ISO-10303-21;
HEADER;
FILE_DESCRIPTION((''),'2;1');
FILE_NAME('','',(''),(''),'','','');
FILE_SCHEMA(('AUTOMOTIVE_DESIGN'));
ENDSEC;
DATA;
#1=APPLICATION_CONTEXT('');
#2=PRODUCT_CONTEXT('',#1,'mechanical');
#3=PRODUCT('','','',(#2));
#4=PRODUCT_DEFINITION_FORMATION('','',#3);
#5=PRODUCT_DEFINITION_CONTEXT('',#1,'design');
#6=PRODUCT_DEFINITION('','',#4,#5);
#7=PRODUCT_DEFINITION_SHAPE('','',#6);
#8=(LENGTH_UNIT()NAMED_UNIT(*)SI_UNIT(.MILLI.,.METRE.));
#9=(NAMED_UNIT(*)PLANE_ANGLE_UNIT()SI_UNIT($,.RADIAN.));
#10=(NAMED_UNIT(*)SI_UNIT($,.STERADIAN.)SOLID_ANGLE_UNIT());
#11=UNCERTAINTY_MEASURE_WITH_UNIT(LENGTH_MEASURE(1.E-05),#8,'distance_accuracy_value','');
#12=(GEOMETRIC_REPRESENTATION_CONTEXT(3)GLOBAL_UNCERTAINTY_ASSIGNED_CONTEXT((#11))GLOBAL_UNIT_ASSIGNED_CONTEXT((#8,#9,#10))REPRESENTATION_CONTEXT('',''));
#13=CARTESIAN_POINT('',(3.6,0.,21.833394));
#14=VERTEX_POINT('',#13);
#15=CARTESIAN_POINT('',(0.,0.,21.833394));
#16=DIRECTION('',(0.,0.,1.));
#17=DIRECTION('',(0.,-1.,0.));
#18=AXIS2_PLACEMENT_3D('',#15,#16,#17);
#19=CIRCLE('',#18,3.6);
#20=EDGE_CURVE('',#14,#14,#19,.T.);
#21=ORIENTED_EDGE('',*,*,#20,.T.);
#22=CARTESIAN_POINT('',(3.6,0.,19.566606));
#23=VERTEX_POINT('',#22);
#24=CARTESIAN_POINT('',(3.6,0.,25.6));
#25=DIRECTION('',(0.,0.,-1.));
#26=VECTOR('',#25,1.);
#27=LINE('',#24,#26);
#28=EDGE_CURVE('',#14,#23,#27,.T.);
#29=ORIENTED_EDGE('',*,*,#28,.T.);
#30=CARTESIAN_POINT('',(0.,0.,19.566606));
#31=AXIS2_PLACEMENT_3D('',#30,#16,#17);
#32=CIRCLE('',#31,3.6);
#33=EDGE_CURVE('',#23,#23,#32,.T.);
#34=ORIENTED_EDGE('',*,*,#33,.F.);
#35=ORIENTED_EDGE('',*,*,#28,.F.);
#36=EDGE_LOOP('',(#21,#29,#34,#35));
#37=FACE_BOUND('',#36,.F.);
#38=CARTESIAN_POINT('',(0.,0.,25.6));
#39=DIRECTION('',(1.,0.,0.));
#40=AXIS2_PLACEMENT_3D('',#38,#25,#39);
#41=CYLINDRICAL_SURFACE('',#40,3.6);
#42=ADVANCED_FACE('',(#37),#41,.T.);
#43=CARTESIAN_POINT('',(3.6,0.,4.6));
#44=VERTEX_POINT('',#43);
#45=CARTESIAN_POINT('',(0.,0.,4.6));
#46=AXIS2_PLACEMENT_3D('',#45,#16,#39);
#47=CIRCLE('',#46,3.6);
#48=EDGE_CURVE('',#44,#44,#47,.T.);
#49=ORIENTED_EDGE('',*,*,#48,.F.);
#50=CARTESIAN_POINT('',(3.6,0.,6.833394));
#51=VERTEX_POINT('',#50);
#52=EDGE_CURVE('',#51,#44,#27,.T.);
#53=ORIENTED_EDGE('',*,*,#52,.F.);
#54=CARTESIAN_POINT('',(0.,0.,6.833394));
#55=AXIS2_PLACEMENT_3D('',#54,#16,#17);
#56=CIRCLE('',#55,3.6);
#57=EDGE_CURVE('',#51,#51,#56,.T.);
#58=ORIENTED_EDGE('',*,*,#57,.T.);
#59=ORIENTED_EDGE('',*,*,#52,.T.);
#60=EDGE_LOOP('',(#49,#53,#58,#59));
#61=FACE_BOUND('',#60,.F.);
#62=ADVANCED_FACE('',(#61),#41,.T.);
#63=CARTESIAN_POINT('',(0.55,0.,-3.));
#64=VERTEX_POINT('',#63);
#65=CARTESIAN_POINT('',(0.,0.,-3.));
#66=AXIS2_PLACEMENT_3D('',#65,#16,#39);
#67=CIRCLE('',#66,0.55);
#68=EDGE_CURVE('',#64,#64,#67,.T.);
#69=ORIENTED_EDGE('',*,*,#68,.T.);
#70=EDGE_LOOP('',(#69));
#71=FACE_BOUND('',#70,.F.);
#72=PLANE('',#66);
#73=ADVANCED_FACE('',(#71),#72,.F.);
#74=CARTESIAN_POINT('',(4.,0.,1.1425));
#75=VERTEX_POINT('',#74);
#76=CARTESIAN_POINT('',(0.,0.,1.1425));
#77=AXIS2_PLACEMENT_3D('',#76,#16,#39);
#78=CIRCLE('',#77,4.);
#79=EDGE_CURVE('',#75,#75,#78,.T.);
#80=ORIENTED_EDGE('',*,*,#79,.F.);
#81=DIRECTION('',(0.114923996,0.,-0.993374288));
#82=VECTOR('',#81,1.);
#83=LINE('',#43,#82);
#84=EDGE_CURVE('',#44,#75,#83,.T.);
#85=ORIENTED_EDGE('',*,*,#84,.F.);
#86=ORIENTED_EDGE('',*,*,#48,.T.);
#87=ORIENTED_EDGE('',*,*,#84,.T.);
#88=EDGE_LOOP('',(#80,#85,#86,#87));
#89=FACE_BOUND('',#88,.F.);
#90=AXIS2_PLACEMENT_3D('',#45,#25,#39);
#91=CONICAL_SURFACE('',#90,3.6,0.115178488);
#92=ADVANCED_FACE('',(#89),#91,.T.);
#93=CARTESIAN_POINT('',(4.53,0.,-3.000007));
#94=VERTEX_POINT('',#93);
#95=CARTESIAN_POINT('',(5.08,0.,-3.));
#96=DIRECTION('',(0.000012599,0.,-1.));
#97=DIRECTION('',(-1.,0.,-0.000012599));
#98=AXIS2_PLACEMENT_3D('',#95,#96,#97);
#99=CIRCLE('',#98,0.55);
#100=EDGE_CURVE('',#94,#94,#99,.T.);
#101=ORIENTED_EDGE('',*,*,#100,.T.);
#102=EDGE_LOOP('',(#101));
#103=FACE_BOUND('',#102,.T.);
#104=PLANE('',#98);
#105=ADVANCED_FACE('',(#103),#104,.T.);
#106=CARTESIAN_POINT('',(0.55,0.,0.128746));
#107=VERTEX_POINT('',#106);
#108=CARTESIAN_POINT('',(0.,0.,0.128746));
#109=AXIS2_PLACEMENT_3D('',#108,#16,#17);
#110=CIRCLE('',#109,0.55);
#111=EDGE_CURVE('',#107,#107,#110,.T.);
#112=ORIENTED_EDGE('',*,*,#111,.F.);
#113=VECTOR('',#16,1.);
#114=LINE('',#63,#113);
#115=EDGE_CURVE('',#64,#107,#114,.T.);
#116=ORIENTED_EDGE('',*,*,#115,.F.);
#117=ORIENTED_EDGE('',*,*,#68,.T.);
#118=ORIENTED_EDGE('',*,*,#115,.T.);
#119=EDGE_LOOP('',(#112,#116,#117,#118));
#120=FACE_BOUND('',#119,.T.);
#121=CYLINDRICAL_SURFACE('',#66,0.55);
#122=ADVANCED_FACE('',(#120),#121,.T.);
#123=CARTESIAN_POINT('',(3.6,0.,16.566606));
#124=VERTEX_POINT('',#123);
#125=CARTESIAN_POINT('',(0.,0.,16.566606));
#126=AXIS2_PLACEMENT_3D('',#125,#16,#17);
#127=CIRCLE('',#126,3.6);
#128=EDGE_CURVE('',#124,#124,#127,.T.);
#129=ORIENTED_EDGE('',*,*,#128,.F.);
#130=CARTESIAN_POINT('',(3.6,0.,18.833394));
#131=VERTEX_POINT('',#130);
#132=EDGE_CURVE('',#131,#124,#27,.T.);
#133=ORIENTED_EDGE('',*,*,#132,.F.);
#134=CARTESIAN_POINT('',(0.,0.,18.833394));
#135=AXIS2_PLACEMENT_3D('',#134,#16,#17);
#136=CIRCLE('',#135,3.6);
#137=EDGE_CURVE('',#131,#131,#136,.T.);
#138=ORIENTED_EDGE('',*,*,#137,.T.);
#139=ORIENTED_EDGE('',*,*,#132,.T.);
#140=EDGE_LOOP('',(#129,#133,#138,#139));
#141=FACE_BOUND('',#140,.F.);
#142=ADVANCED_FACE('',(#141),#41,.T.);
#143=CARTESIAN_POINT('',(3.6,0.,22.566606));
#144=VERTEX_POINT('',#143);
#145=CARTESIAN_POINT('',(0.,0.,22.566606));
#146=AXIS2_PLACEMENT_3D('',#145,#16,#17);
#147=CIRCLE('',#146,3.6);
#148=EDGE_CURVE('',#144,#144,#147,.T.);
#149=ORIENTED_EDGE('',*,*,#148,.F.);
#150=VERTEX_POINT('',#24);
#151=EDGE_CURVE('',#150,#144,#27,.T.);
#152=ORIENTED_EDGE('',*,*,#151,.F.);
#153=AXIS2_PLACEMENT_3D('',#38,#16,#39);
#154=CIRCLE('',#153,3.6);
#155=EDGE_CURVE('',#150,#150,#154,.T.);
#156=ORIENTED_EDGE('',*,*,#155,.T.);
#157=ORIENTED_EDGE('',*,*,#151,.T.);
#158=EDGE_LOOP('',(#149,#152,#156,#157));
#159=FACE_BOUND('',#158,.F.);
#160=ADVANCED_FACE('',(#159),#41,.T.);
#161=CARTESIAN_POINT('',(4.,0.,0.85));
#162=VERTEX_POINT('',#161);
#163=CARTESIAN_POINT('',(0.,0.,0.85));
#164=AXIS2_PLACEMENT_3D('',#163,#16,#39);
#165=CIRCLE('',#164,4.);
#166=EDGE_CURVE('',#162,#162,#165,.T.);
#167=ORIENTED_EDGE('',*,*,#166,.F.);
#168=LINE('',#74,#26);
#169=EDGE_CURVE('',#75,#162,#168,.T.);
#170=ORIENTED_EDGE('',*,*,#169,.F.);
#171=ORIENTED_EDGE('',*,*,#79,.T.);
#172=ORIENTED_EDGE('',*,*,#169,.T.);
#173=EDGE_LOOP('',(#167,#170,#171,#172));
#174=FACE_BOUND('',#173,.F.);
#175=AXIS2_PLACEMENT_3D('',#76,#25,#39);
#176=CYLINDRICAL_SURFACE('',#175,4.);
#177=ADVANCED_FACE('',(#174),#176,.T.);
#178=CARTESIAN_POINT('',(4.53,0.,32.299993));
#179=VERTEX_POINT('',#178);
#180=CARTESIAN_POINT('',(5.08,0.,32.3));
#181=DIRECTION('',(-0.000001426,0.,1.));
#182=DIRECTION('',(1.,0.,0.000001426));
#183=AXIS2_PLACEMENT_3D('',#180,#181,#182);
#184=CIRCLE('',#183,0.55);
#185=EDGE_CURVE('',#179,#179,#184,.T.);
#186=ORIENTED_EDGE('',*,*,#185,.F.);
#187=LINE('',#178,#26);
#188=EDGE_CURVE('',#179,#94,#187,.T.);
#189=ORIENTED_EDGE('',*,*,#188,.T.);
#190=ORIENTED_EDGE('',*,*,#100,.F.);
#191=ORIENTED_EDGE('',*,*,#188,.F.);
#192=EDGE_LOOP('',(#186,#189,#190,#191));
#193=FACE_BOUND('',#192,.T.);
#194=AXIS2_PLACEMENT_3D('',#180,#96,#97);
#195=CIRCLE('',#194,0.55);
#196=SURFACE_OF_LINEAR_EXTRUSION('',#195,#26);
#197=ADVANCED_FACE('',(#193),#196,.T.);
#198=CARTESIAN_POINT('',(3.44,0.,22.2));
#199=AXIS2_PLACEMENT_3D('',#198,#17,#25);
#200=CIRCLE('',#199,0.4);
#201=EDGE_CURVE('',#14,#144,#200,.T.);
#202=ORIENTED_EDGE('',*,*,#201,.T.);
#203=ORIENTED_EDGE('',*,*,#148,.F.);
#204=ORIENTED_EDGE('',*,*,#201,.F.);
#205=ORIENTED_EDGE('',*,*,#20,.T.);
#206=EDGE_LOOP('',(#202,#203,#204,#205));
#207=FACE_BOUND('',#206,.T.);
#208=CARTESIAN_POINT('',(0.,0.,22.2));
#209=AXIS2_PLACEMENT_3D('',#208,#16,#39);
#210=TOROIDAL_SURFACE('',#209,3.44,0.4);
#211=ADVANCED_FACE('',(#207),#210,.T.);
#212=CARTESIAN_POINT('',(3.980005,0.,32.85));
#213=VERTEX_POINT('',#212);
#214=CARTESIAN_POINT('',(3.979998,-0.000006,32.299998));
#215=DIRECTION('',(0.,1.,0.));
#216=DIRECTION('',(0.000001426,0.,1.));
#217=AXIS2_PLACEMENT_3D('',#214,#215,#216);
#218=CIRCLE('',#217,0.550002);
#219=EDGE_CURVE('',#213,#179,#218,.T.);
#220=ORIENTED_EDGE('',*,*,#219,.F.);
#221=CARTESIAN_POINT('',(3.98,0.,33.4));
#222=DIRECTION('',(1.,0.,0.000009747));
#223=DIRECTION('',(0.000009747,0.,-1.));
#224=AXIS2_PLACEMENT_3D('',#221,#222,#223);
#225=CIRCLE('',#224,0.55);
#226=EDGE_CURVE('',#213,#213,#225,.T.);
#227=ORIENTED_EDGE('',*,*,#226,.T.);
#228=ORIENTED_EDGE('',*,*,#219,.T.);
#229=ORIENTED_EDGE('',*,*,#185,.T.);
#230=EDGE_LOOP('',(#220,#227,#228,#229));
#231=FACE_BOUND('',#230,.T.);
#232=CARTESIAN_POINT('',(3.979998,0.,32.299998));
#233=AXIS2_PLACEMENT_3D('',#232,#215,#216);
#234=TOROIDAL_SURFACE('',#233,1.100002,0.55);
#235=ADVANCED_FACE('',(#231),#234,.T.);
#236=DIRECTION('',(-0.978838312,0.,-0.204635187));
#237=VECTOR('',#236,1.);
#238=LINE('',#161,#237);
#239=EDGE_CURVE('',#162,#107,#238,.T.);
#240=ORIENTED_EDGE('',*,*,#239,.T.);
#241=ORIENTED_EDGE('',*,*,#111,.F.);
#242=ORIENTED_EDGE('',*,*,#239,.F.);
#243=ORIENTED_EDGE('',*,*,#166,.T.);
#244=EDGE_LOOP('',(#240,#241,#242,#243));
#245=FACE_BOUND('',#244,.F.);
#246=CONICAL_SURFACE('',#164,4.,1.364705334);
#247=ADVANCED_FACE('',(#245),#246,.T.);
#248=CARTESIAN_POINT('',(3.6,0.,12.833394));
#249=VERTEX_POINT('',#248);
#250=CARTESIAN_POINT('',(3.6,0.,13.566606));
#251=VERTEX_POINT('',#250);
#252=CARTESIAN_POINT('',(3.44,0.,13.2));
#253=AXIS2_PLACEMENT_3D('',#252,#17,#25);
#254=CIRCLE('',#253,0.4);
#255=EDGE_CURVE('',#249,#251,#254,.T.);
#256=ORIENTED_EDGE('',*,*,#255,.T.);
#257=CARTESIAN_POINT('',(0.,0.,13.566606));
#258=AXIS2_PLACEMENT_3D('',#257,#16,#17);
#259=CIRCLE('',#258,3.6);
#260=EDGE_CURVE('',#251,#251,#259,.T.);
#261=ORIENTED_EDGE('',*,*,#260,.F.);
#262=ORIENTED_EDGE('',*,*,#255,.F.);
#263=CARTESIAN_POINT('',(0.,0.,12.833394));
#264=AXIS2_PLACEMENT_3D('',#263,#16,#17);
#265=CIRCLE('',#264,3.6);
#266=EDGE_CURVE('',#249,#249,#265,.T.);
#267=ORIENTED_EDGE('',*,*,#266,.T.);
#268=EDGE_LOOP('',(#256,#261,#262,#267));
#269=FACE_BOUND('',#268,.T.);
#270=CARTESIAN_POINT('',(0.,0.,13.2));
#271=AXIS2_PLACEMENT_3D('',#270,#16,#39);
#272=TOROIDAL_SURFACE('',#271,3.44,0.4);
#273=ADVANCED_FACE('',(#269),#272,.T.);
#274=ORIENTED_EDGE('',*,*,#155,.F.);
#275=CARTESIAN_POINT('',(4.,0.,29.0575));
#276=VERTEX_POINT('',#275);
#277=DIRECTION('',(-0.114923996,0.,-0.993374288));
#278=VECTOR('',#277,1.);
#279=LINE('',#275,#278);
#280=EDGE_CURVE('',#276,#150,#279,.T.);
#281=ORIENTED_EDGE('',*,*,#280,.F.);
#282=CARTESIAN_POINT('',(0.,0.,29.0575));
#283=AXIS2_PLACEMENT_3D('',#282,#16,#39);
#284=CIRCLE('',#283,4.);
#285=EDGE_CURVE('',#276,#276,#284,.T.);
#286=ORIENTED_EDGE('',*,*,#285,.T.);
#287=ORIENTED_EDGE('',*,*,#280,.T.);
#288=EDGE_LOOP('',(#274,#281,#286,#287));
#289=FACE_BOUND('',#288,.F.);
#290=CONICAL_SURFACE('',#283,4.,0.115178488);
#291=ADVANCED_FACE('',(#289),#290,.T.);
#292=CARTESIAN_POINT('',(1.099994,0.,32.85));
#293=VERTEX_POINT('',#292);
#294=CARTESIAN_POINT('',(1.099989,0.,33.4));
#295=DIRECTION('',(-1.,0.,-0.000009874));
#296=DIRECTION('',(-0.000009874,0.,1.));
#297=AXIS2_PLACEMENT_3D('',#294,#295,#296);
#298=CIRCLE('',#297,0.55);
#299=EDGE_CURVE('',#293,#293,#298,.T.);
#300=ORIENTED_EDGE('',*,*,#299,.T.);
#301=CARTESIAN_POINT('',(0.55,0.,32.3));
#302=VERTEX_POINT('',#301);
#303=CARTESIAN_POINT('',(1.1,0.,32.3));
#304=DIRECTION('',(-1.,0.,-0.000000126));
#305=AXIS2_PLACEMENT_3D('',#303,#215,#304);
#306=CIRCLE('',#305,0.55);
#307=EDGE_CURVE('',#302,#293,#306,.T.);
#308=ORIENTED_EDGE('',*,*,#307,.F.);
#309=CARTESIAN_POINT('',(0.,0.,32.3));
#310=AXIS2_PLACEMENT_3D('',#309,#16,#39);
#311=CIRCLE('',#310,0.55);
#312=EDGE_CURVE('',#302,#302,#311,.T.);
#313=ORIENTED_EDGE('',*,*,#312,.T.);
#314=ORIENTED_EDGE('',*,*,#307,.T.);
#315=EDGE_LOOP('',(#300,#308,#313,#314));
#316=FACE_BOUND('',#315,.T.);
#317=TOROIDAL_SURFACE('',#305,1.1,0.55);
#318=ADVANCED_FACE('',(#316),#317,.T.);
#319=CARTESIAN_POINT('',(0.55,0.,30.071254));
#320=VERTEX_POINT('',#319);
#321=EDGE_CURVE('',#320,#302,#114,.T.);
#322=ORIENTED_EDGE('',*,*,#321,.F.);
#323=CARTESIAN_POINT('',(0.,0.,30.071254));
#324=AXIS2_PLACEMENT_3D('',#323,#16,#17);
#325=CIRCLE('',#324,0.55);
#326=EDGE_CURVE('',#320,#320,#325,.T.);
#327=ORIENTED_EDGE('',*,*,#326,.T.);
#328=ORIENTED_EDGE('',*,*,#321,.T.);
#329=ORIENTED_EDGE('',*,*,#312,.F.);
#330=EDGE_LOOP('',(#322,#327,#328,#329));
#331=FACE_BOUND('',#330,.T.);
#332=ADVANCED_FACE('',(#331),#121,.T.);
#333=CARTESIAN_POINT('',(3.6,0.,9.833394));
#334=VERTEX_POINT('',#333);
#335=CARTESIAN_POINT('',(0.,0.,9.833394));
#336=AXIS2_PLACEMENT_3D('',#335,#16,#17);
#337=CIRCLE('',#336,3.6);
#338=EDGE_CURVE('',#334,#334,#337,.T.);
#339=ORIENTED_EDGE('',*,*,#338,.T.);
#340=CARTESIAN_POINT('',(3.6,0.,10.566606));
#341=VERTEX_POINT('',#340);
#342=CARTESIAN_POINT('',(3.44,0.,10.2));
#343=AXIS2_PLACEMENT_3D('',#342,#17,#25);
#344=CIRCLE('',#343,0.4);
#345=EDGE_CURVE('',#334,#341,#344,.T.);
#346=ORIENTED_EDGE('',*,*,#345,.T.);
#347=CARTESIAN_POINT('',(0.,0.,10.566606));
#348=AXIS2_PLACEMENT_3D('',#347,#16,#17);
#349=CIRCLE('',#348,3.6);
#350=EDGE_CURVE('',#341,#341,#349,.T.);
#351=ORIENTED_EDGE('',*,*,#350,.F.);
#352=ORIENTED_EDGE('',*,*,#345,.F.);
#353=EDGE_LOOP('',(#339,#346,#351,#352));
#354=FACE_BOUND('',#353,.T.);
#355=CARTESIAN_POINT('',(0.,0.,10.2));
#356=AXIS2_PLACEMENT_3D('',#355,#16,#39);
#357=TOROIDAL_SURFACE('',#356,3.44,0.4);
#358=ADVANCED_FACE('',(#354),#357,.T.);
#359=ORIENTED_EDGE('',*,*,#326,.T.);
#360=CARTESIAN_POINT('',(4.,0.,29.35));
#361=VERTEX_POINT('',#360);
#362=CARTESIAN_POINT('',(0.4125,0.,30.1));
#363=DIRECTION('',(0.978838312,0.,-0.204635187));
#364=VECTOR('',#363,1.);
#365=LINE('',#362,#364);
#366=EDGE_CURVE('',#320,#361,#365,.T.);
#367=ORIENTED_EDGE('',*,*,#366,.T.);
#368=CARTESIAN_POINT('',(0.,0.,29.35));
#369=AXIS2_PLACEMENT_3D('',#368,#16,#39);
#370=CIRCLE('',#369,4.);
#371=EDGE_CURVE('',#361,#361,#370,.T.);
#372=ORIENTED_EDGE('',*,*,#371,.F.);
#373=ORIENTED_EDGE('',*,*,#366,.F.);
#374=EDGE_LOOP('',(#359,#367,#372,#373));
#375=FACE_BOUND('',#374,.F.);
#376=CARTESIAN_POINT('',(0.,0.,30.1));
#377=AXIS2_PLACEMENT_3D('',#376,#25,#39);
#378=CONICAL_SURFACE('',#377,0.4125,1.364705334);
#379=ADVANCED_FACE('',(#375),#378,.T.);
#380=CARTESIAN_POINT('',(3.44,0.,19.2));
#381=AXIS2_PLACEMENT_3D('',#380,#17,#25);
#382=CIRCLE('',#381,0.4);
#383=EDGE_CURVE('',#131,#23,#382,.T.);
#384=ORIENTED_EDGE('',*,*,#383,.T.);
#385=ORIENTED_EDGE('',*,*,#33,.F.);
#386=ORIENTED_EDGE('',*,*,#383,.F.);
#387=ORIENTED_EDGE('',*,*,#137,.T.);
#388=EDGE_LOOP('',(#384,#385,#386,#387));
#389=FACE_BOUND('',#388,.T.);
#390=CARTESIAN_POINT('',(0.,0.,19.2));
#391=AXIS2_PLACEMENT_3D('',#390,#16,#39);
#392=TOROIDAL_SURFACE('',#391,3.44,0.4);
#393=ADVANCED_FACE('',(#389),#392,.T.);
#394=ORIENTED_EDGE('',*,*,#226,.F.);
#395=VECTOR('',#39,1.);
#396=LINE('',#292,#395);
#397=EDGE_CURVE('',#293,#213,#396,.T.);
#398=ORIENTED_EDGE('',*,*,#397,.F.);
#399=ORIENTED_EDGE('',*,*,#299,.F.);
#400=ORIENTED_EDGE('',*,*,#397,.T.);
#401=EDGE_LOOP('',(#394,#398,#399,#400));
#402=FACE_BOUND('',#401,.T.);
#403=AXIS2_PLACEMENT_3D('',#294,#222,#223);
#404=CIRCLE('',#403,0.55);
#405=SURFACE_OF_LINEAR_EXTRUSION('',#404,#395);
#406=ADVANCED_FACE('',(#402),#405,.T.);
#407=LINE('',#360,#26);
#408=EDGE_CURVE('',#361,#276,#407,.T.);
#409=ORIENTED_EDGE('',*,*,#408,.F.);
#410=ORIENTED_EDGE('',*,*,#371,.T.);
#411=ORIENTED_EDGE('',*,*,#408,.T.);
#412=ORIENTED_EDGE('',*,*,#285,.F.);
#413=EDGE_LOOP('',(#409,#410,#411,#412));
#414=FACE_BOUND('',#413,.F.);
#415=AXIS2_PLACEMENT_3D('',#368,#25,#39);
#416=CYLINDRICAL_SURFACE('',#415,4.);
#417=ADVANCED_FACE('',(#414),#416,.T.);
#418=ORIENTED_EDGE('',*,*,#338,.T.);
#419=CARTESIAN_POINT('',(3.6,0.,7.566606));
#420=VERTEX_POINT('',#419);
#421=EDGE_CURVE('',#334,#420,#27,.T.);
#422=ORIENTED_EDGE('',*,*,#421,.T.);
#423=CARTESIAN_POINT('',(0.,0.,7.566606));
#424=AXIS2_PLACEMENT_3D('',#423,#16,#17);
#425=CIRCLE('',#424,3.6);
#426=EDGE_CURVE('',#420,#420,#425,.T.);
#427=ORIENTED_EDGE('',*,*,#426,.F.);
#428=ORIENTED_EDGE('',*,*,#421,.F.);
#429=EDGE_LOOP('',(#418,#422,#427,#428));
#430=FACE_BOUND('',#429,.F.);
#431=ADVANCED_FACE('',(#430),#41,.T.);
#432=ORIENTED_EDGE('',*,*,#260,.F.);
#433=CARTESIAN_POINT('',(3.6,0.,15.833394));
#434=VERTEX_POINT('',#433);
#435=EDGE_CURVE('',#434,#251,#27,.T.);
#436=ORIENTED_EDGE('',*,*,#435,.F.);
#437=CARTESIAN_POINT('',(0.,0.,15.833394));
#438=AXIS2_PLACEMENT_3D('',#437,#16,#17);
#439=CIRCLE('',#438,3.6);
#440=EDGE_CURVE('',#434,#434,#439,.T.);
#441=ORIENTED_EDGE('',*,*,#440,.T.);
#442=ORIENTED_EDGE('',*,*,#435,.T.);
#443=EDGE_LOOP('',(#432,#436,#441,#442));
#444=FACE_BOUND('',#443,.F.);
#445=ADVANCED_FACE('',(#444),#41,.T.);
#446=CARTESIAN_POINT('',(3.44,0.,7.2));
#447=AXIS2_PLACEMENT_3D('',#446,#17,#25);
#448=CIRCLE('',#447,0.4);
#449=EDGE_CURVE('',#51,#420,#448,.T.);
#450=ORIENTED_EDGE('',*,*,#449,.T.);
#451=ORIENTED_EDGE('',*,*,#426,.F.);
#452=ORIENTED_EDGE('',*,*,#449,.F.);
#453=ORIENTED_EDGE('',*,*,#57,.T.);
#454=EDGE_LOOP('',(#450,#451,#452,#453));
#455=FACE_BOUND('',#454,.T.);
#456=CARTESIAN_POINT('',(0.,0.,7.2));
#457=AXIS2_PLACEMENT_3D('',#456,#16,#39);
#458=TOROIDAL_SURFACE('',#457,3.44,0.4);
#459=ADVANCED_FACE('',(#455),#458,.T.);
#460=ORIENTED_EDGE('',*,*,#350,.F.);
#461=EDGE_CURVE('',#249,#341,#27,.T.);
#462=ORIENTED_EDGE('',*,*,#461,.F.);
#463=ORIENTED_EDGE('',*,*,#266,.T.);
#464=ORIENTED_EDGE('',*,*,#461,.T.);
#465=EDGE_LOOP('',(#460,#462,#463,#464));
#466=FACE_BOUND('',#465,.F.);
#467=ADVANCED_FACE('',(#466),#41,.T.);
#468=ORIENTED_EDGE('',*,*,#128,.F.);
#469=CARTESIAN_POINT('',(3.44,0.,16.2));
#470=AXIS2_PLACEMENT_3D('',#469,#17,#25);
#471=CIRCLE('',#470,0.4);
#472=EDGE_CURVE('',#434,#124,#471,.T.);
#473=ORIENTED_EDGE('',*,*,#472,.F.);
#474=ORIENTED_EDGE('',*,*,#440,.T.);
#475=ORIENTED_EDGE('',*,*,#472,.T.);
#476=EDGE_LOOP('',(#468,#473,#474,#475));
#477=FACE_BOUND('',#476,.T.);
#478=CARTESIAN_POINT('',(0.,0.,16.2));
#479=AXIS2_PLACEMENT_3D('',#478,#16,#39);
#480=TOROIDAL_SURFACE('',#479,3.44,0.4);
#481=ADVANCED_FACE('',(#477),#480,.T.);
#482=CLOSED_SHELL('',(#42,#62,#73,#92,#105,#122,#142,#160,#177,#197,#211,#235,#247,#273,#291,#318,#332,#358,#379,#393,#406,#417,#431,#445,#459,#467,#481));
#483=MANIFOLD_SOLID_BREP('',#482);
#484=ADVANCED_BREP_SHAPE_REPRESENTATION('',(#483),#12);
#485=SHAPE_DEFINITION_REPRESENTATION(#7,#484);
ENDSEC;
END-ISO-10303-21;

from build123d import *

# Parameters (mm, degrees)
SKETCH_R = 0.55


with BuildPart() as revolution:
    # Sketch002 → Revolution (revolve)
    with BuildSketch(Plane.XZ):
        Polygon((0, 0.1), (0, 30.1), (0.4125, 30.1), (4, 29.35), (4, 29.0575), (3.6, 25.6), (3.6, 4.6), (4, 1.1425), (4, 0.85), (0.4125, 0.1), align=None)
    revolve(axis=Axis((0, 0, 0), (0, 0, 1)))


with BuildPart() as sweep_body:
    # Sweep: sweep along a path in Sketch001
    with BuildLine(Plane.XZ) as sweep_path:
        Line((0, -3), (0, 32.3))
        ThreePointArc((0, 32.3), (0.322179, 33.077814), (1.099989, 33.4))
        Line((1.099989, 33.4), (3.98, 33.4))
        ThreePointArc((3.98, 33.4), (4.757817, 33.077817), (5.08, 32.3))
        Line((5.08, 32.3), (5.08, -3))
    # Sketch → Sweep (sweep)
    with BuildSketch(Plane.XY.offset(-2)):
        Circle(SKETCH_R)
    sweep(path=sweep_path.line)


with BuildPart() as revolution001_mp_cp:
    # Sketch003 → Revolution001 (revolve)
    with BuildSketch(Plane.XZ):
        with BuildLine():
            Line((3.2, 24.8), (3.2, 4.6))
            Line((3.2, 4.6), (3.44, 4.6))
            Line((3.44, 4.6), (3.44, 6.8))
            ThreePointArc((3.44, 6.8), (3.84, 7.2), (3.44, 7.6))
            Line((3.44, 7.6), (3.44, 9.8))
            ThreePointArc((3.44, 9.8), (3.84, 10.2), (3.44, 10.6))
            Line((3.44, 10.6), (3.44, 12.8))
            ThreePointArc((3.44, 12.8), (3.84, 13.2), (3.44, 13.6))
            Line((3.44, 13.6), (3.44, 15.8))
            ThreePointArc((3.44, 15.8), (3.84, 16.2), (3.44, 16.6))
            Line((3.44, 16.6), (3.44, 18.8))
            ThreePointArc((3.44, 18.8), (3.84, 19.2), (3.44, 19.6))
            Line((3.44, 19.6), (3.44, 21.8))
            ThreePointArc((3.44, 21.8), (3.84, 22.2), (3.44, 22.6))
            Line((3.44, 24.8), (3.44, 22.6))
            Line((3.2, 24.8), (3.44, 24.8))
        make_face()
    revolve(axis=Axis((0, 0, 0), (0, 0, 1)))

    # Revolution001_mp_cp: union Revolution, Sweep body
    add(revolution.part)
    add(sweep_body.part)


solid = revolution001_mp_cp.part
